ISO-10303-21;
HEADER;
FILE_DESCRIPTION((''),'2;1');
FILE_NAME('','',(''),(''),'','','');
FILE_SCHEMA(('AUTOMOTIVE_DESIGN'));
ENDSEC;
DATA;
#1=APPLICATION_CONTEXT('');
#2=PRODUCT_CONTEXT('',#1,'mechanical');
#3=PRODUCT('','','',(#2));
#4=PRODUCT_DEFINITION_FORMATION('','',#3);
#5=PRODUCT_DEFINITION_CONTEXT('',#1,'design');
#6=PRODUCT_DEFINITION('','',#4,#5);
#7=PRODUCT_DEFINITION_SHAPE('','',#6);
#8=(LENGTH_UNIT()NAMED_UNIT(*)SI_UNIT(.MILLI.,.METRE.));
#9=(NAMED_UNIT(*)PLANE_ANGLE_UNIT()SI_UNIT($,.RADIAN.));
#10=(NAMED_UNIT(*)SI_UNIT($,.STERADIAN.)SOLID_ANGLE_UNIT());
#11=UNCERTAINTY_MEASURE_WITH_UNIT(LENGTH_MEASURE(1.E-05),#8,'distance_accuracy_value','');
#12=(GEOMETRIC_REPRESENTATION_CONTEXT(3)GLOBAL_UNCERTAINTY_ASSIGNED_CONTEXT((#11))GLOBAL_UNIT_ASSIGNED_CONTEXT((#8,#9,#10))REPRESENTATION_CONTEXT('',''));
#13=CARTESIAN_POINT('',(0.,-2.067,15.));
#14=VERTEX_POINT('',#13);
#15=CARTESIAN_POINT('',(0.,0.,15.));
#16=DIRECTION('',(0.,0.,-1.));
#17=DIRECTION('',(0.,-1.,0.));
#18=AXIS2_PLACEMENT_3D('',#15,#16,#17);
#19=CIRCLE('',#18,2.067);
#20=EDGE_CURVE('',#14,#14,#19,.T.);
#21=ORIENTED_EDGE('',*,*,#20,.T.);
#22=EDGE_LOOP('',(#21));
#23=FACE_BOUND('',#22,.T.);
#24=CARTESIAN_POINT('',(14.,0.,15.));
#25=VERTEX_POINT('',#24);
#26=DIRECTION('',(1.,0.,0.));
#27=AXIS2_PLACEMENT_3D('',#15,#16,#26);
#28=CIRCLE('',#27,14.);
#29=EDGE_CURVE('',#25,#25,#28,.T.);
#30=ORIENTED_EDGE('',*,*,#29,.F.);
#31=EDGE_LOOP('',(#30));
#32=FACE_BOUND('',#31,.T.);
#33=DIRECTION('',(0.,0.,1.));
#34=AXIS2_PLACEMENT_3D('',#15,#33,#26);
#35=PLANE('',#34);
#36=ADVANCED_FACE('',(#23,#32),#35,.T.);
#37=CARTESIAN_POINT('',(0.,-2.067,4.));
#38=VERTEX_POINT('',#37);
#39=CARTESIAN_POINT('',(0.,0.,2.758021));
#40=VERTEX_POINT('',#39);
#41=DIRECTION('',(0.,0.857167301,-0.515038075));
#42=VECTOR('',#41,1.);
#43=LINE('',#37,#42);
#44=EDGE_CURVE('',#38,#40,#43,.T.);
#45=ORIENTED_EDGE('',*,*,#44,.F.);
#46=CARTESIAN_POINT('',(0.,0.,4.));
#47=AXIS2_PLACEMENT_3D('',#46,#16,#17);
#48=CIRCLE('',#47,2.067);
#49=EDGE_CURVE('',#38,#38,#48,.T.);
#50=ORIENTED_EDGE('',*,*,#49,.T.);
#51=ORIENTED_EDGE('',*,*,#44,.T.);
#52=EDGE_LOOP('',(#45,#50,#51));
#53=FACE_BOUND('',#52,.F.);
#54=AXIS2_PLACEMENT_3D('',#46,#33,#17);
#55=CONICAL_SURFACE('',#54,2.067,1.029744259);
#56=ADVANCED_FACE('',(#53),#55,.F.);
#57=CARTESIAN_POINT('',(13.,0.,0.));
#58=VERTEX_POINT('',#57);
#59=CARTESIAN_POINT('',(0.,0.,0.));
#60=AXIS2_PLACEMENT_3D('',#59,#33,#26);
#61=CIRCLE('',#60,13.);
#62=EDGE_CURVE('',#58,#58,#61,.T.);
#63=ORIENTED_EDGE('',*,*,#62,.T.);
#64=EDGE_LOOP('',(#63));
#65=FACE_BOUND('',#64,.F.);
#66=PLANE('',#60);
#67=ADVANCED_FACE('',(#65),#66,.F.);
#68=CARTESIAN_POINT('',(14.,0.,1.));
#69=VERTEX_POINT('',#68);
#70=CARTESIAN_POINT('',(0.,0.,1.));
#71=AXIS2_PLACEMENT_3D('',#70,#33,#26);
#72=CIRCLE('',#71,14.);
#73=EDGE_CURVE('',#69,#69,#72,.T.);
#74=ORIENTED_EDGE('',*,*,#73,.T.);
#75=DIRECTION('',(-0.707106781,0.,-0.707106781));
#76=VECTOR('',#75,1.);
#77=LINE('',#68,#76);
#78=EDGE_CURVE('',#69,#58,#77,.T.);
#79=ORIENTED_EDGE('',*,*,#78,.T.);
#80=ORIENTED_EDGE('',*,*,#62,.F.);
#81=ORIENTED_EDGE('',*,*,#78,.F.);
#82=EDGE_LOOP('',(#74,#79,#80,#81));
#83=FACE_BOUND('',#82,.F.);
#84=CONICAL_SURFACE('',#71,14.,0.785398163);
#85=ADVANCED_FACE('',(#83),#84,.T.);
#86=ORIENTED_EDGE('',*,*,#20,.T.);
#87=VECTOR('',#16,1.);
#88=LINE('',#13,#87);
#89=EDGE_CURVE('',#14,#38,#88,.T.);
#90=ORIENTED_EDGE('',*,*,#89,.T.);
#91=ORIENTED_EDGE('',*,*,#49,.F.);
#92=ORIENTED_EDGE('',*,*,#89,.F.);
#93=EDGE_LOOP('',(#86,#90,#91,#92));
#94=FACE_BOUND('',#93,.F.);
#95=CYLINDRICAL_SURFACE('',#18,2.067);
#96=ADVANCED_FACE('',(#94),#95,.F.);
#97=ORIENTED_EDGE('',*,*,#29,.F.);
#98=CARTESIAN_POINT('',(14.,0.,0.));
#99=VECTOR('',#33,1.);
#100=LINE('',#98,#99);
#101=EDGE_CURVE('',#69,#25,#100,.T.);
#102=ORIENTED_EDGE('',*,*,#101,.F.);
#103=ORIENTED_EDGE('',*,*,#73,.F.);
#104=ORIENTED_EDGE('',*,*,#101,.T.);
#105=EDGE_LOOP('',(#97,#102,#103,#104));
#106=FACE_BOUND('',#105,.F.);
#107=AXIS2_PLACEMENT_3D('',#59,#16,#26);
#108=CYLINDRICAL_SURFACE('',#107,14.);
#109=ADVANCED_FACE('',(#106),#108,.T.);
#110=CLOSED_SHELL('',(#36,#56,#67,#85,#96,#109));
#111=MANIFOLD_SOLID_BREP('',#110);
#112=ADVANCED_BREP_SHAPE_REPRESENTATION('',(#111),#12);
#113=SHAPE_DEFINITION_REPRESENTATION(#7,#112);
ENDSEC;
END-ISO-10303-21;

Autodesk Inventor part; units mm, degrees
ref_plane "YZ Plane" through (0, 0, 0) normal (1, 0, 0) x (0, 1, 0)
ref_plane "XZ Plane" through (0, 0, 0) normal (0, 1, 0) x (-1, 0, 0)
ref_plane "XY Plane" through (0, 0, 0) normal (0, 0, 1) x (1, 0, 0)
sketch "Skizze1" plane through (0, 0, 0) normal (0, 0, 1) x (1, 0, 0)
  line L0 (-19.6, 0) -> (19.6, 0) projected
  line L1 (0, -19.6) -> (0, 19.6) projected
  circle A0 centre (0, 0) radius 14
  dimension "d0" = 28
extrude "Extrusion1" add sketch "Skizze1" along normal blind 15
chamfer "Fase1" distance 1 angle 45 1 edges at (-14, 0, 0)
sketch "Skizze2" plane through (0, 0, 15) normal (0, 0, 1) x (1, 0, 0)
  point P0 (0, 0)
  point P1 (0, 0)
hole "Bohrung1" at (0, 0, 15) direction (0, 0, -1) diameter 4.134 depth 11 tip angle 118 thread size "M5x0.8" class "6H" standard "ISO Metric profile"
properties part number "Gummistopl klein"
